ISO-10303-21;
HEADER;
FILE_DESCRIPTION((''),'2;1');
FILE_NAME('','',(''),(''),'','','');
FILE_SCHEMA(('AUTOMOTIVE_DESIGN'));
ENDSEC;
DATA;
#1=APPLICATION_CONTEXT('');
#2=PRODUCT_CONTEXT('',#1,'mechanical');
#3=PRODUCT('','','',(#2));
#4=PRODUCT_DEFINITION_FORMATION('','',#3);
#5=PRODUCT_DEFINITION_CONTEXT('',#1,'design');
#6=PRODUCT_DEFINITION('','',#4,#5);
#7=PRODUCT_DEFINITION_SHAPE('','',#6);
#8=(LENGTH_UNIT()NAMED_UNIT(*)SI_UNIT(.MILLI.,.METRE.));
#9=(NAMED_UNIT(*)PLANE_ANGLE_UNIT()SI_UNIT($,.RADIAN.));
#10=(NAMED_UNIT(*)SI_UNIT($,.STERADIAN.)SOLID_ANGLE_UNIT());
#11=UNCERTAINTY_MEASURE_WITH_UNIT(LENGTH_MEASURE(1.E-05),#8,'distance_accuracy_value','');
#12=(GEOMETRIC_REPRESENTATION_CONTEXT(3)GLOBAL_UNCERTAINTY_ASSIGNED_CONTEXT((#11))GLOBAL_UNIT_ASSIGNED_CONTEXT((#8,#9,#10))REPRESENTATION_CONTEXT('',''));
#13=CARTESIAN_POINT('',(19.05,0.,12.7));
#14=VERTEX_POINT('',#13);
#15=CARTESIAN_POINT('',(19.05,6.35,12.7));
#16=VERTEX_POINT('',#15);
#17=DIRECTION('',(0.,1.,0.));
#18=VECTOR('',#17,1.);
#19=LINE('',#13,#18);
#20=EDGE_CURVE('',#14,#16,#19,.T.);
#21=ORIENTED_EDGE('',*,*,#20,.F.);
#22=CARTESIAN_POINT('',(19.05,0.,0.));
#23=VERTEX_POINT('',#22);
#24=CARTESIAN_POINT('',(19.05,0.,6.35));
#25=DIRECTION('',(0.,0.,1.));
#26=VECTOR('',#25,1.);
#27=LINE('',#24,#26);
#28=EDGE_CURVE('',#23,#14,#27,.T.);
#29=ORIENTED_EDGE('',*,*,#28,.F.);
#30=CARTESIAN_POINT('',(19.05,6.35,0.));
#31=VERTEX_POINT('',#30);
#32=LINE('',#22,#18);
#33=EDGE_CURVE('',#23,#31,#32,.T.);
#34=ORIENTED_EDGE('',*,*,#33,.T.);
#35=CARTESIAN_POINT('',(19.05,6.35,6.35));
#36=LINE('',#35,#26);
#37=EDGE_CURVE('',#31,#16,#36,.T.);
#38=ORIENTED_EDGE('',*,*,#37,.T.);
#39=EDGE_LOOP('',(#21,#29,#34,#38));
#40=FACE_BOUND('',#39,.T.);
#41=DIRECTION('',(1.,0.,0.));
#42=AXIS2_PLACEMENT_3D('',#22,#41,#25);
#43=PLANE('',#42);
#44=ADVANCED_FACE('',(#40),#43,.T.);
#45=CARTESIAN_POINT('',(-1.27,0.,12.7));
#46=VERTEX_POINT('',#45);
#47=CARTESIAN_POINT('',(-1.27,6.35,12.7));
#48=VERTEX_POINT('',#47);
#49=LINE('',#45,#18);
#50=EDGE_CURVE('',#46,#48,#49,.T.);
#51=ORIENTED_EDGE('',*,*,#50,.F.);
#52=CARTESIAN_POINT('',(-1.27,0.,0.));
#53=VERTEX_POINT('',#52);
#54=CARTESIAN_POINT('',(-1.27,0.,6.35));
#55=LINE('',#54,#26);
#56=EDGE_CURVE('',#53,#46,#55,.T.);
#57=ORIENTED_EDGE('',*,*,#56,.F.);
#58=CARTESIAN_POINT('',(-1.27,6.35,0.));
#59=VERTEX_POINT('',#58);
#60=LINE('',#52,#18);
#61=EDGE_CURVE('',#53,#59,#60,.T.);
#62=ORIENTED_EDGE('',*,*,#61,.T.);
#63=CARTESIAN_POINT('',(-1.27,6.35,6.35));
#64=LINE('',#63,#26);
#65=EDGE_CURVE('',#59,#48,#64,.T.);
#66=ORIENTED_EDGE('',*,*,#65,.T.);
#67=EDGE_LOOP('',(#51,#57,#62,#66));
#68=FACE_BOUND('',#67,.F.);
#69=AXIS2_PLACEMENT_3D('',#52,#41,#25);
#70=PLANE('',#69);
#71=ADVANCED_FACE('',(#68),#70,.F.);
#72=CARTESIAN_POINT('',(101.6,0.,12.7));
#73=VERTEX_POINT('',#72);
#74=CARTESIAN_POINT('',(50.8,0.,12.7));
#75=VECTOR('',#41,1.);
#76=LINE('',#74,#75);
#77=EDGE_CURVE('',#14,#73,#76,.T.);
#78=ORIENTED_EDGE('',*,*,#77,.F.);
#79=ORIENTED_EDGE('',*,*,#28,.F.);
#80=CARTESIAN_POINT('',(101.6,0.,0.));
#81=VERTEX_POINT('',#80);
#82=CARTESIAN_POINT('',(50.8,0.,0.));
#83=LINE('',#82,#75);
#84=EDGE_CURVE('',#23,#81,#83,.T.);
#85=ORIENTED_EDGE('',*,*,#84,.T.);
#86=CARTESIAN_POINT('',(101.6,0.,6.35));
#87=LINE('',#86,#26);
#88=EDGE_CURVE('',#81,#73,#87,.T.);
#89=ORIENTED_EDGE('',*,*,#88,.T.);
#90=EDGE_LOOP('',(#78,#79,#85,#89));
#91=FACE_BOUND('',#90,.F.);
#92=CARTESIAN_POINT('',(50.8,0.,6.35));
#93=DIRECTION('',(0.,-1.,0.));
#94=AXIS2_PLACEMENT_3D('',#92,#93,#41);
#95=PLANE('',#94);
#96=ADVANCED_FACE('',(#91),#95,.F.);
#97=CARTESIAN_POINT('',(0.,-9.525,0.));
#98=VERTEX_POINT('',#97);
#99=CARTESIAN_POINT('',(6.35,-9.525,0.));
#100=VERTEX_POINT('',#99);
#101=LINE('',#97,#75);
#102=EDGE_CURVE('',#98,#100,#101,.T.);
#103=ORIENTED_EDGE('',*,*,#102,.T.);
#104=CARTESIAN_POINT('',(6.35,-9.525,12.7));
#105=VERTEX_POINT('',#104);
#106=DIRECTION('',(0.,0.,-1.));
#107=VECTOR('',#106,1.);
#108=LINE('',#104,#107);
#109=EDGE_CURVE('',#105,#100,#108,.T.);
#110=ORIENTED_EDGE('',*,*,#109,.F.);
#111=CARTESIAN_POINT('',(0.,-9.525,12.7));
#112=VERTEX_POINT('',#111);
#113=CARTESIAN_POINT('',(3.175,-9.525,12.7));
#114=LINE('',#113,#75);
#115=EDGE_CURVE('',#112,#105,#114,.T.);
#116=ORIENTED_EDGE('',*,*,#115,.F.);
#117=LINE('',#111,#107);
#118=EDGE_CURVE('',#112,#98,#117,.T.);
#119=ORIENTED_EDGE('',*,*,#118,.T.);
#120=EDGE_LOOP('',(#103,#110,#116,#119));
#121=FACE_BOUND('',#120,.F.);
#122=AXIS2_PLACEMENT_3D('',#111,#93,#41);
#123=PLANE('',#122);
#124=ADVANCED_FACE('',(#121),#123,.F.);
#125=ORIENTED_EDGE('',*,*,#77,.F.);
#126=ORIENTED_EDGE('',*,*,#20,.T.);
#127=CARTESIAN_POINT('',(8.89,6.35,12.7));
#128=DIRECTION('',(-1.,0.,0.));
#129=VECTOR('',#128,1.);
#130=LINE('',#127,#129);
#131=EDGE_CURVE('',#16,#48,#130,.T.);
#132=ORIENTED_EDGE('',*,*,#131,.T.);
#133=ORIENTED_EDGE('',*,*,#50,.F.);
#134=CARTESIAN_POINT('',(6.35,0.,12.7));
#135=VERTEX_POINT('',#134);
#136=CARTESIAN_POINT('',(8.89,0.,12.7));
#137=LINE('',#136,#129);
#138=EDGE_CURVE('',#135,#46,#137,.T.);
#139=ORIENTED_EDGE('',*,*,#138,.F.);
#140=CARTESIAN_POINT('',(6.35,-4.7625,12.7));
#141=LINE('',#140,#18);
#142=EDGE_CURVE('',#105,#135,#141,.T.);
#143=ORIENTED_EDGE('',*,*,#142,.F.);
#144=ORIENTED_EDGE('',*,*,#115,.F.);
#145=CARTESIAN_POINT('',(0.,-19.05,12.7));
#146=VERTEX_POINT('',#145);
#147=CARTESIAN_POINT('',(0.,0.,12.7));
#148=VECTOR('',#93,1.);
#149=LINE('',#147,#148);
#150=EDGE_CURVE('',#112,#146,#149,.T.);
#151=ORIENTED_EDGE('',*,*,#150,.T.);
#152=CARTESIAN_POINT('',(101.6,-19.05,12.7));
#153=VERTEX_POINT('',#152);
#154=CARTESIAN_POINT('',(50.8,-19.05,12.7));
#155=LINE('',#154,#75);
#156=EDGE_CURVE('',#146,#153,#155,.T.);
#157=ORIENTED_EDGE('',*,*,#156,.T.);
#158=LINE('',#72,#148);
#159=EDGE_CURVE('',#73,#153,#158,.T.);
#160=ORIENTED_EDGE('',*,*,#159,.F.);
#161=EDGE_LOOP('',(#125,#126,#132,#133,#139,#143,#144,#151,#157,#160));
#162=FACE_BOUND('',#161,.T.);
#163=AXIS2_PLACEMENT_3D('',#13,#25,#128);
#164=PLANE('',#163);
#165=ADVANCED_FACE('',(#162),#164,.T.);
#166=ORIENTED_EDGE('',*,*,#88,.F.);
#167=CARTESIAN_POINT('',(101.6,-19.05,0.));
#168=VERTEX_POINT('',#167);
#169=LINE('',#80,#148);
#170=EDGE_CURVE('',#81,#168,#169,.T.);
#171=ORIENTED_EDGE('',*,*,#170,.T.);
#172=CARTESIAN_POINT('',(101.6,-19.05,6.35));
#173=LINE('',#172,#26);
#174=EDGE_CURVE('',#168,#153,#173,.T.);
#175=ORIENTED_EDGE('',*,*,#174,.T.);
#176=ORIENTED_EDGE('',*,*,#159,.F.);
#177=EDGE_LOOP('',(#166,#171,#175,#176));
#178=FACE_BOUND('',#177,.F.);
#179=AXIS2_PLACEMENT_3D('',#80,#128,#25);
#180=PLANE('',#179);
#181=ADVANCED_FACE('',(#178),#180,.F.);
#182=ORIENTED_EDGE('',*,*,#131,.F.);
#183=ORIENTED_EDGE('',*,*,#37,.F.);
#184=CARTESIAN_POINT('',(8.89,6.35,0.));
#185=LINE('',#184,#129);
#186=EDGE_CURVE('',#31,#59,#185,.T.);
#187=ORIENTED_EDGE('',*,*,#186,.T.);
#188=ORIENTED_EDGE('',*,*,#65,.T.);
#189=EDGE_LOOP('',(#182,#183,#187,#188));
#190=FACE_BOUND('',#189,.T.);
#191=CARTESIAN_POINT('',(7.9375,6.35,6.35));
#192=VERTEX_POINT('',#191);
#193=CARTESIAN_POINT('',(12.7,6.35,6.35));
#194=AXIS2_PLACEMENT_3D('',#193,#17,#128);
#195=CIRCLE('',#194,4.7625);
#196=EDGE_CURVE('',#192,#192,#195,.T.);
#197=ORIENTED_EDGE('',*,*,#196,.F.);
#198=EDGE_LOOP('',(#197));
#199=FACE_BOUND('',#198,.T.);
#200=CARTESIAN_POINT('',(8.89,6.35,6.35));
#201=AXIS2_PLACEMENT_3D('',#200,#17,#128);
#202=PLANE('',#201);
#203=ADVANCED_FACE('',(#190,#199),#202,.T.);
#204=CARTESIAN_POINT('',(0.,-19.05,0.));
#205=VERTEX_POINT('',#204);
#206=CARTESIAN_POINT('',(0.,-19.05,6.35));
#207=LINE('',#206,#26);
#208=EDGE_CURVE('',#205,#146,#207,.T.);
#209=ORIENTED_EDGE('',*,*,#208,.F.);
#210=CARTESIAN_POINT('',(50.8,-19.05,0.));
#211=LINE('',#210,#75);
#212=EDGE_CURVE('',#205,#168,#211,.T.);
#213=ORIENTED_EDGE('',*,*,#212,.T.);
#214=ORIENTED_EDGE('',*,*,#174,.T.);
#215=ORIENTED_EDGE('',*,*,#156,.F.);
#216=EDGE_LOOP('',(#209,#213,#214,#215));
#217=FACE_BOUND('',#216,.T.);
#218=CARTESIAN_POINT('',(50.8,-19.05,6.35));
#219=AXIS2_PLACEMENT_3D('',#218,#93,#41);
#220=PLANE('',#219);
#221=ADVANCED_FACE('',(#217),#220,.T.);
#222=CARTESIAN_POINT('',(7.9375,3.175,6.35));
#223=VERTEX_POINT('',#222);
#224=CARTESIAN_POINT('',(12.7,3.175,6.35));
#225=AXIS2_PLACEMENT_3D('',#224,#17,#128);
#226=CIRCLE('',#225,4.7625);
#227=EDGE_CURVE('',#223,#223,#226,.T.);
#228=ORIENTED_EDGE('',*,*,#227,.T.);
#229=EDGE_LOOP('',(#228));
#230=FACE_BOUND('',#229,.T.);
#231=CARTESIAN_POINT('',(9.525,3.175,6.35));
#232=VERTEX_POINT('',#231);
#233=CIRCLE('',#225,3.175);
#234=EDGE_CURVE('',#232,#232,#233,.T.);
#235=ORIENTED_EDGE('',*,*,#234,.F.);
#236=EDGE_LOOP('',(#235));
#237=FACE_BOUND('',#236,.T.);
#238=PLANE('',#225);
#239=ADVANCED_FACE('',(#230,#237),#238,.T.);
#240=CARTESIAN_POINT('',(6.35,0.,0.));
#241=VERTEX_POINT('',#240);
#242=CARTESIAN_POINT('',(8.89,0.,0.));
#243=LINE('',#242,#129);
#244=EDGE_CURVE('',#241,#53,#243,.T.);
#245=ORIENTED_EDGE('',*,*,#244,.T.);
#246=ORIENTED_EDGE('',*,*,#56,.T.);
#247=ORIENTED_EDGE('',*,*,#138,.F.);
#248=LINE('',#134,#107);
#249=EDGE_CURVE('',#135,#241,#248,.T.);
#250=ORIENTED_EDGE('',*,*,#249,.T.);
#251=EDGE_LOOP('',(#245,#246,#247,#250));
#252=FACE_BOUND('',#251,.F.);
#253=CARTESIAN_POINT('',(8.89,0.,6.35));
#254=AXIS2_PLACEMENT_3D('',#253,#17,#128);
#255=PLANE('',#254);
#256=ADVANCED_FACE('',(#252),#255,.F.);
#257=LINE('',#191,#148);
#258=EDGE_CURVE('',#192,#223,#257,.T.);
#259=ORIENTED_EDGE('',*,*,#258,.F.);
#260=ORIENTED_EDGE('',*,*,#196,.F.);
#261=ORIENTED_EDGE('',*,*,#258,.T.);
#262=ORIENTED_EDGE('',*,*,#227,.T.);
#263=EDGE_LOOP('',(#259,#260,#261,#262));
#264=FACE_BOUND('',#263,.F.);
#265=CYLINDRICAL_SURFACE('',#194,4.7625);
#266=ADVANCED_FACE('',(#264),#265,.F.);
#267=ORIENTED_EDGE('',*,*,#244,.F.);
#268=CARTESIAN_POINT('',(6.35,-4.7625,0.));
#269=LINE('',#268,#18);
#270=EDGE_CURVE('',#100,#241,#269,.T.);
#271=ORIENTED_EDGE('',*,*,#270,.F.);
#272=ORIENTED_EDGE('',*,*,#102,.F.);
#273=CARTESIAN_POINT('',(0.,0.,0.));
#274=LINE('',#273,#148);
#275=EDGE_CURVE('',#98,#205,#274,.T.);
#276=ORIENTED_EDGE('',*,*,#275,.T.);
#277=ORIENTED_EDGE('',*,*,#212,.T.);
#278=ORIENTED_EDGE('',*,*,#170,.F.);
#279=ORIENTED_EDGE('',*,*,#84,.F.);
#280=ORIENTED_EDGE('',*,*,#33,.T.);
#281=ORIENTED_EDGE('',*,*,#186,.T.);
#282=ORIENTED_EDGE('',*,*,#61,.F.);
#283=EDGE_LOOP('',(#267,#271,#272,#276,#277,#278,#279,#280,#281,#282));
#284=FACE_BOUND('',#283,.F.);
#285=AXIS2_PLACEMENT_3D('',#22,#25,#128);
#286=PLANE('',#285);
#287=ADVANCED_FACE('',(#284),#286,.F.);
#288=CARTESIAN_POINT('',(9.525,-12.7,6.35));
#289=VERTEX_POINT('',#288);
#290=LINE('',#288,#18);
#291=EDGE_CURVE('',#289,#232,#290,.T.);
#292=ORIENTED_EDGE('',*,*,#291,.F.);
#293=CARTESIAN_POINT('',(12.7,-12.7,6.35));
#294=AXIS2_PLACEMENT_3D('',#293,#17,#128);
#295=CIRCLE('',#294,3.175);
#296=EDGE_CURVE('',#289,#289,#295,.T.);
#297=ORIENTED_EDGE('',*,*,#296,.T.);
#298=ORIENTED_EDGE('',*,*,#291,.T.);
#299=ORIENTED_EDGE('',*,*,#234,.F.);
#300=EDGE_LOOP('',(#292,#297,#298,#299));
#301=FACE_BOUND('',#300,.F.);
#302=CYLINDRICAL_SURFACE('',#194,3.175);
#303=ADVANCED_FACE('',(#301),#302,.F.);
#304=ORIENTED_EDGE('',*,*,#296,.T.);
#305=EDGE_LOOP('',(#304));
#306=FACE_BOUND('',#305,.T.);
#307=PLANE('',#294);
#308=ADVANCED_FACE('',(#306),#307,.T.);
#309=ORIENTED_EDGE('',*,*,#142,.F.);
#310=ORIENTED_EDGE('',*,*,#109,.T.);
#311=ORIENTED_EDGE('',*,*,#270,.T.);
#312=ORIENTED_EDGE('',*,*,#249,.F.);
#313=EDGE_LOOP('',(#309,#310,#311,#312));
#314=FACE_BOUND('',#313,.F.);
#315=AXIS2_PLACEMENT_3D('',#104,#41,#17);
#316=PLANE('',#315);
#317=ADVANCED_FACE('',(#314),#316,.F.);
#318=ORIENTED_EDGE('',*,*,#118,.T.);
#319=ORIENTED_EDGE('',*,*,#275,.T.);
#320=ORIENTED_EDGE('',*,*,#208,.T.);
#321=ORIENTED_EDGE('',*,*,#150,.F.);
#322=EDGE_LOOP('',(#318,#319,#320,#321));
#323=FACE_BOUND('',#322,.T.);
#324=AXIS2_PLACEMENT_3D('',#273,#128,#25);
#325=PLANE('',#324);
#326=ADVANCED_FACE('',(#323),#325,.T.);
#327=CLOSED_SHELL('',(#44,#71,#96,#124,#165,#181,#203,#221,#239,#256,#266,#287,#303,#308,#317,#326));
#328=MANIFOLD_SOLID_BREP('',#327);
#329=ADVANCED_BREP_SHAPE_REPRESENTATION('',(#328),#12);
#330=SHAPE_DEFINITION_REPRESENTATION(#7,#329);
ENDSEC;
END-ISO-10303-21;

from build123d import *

# Parameters (mm, degrees)
F0_W      = 101.6
F0_H      = 12.7
F1_DEPTH  = 19.05
F2_W      = 6.35
F2_H      = 9.525
F3_DEPTH  = 25.4
F4_R      = 3.175
F6_DEPTH  = 12.7
F7_W      = 20.32
F7_H      = 12.7
F8_DEPTH  = 6.35
F9_R      = 4.7625
F9_R_2    = 3.175
F10_DEPTH = 3.175
F11_DEPTH = 6.35


with BuildPart() as f1:
    # F0 (on Front) → F1 (new body)
    with BuildSketch(Plane.XZ):
        with Locations((50.8, 6.35)):
            Rectangle(F0_W, F0_H)
    extrude(amount=F1_DEPTH)

    # F2 (on face) → F3 (cut)
    with BuildSketch(Plane.XY.offset(12.7)):
        with Locations((3.175, -4.7625)):
            Rectangle(F2_W, F2_H)
    extrude(amount=-F3_DEPTH, mode=Mode.SUBTRACT)

    # F4 (on face) → F6 (cut)
    with BuildSketch(Plane(origin=(0, 0, 0), x_dir=(-1, 0, 0), z_dir=(0, 1, 0))):
        with Locations((-12.7, 6.35)):
            Circle(F4_R)
    extrude(amount=-F6_DEPTH, mode=Mode.SUBTRACT)

    # F7 (on face) → F8 (join)
    with BuildSketch(Plane(origin=(0, 0, 0), x_dir=(-1, 0, 0), z_dir=(0, 1, 0))):
        with Locations((-8.89, 6.35)):
            Rectangle(F7_W, F7_H)
    extrude(amount=F8_DEPTH)

    # F9 (on face) → F10 (cut)
    with BuildSketch(Plane(origin=(0, 6.35, 0), x_dir=(-1, 0, 0), z_dir=(0, 1, 0))):
        with Locations((-12.7, 6.35)):
            Circle(F9_R)
        with Locations((-12.7, 6.35)):
            Circle(F9_R_2, mode=Mode.SUBTRACT)
    extrude(amount=-F10_DEPTH, mode=Mode.SUBTRACT)

    # F11 (cut): a face of the model
    f11_faces = [f1.faces().sort_by_distance(p)[0] for p in [
        (12.7, 6.35, 6.35),
    ]]
    extrude(f11_faces, amount=-F11_DEPTH, mode=Mode.SUBTRACT)


solid = f1.part
